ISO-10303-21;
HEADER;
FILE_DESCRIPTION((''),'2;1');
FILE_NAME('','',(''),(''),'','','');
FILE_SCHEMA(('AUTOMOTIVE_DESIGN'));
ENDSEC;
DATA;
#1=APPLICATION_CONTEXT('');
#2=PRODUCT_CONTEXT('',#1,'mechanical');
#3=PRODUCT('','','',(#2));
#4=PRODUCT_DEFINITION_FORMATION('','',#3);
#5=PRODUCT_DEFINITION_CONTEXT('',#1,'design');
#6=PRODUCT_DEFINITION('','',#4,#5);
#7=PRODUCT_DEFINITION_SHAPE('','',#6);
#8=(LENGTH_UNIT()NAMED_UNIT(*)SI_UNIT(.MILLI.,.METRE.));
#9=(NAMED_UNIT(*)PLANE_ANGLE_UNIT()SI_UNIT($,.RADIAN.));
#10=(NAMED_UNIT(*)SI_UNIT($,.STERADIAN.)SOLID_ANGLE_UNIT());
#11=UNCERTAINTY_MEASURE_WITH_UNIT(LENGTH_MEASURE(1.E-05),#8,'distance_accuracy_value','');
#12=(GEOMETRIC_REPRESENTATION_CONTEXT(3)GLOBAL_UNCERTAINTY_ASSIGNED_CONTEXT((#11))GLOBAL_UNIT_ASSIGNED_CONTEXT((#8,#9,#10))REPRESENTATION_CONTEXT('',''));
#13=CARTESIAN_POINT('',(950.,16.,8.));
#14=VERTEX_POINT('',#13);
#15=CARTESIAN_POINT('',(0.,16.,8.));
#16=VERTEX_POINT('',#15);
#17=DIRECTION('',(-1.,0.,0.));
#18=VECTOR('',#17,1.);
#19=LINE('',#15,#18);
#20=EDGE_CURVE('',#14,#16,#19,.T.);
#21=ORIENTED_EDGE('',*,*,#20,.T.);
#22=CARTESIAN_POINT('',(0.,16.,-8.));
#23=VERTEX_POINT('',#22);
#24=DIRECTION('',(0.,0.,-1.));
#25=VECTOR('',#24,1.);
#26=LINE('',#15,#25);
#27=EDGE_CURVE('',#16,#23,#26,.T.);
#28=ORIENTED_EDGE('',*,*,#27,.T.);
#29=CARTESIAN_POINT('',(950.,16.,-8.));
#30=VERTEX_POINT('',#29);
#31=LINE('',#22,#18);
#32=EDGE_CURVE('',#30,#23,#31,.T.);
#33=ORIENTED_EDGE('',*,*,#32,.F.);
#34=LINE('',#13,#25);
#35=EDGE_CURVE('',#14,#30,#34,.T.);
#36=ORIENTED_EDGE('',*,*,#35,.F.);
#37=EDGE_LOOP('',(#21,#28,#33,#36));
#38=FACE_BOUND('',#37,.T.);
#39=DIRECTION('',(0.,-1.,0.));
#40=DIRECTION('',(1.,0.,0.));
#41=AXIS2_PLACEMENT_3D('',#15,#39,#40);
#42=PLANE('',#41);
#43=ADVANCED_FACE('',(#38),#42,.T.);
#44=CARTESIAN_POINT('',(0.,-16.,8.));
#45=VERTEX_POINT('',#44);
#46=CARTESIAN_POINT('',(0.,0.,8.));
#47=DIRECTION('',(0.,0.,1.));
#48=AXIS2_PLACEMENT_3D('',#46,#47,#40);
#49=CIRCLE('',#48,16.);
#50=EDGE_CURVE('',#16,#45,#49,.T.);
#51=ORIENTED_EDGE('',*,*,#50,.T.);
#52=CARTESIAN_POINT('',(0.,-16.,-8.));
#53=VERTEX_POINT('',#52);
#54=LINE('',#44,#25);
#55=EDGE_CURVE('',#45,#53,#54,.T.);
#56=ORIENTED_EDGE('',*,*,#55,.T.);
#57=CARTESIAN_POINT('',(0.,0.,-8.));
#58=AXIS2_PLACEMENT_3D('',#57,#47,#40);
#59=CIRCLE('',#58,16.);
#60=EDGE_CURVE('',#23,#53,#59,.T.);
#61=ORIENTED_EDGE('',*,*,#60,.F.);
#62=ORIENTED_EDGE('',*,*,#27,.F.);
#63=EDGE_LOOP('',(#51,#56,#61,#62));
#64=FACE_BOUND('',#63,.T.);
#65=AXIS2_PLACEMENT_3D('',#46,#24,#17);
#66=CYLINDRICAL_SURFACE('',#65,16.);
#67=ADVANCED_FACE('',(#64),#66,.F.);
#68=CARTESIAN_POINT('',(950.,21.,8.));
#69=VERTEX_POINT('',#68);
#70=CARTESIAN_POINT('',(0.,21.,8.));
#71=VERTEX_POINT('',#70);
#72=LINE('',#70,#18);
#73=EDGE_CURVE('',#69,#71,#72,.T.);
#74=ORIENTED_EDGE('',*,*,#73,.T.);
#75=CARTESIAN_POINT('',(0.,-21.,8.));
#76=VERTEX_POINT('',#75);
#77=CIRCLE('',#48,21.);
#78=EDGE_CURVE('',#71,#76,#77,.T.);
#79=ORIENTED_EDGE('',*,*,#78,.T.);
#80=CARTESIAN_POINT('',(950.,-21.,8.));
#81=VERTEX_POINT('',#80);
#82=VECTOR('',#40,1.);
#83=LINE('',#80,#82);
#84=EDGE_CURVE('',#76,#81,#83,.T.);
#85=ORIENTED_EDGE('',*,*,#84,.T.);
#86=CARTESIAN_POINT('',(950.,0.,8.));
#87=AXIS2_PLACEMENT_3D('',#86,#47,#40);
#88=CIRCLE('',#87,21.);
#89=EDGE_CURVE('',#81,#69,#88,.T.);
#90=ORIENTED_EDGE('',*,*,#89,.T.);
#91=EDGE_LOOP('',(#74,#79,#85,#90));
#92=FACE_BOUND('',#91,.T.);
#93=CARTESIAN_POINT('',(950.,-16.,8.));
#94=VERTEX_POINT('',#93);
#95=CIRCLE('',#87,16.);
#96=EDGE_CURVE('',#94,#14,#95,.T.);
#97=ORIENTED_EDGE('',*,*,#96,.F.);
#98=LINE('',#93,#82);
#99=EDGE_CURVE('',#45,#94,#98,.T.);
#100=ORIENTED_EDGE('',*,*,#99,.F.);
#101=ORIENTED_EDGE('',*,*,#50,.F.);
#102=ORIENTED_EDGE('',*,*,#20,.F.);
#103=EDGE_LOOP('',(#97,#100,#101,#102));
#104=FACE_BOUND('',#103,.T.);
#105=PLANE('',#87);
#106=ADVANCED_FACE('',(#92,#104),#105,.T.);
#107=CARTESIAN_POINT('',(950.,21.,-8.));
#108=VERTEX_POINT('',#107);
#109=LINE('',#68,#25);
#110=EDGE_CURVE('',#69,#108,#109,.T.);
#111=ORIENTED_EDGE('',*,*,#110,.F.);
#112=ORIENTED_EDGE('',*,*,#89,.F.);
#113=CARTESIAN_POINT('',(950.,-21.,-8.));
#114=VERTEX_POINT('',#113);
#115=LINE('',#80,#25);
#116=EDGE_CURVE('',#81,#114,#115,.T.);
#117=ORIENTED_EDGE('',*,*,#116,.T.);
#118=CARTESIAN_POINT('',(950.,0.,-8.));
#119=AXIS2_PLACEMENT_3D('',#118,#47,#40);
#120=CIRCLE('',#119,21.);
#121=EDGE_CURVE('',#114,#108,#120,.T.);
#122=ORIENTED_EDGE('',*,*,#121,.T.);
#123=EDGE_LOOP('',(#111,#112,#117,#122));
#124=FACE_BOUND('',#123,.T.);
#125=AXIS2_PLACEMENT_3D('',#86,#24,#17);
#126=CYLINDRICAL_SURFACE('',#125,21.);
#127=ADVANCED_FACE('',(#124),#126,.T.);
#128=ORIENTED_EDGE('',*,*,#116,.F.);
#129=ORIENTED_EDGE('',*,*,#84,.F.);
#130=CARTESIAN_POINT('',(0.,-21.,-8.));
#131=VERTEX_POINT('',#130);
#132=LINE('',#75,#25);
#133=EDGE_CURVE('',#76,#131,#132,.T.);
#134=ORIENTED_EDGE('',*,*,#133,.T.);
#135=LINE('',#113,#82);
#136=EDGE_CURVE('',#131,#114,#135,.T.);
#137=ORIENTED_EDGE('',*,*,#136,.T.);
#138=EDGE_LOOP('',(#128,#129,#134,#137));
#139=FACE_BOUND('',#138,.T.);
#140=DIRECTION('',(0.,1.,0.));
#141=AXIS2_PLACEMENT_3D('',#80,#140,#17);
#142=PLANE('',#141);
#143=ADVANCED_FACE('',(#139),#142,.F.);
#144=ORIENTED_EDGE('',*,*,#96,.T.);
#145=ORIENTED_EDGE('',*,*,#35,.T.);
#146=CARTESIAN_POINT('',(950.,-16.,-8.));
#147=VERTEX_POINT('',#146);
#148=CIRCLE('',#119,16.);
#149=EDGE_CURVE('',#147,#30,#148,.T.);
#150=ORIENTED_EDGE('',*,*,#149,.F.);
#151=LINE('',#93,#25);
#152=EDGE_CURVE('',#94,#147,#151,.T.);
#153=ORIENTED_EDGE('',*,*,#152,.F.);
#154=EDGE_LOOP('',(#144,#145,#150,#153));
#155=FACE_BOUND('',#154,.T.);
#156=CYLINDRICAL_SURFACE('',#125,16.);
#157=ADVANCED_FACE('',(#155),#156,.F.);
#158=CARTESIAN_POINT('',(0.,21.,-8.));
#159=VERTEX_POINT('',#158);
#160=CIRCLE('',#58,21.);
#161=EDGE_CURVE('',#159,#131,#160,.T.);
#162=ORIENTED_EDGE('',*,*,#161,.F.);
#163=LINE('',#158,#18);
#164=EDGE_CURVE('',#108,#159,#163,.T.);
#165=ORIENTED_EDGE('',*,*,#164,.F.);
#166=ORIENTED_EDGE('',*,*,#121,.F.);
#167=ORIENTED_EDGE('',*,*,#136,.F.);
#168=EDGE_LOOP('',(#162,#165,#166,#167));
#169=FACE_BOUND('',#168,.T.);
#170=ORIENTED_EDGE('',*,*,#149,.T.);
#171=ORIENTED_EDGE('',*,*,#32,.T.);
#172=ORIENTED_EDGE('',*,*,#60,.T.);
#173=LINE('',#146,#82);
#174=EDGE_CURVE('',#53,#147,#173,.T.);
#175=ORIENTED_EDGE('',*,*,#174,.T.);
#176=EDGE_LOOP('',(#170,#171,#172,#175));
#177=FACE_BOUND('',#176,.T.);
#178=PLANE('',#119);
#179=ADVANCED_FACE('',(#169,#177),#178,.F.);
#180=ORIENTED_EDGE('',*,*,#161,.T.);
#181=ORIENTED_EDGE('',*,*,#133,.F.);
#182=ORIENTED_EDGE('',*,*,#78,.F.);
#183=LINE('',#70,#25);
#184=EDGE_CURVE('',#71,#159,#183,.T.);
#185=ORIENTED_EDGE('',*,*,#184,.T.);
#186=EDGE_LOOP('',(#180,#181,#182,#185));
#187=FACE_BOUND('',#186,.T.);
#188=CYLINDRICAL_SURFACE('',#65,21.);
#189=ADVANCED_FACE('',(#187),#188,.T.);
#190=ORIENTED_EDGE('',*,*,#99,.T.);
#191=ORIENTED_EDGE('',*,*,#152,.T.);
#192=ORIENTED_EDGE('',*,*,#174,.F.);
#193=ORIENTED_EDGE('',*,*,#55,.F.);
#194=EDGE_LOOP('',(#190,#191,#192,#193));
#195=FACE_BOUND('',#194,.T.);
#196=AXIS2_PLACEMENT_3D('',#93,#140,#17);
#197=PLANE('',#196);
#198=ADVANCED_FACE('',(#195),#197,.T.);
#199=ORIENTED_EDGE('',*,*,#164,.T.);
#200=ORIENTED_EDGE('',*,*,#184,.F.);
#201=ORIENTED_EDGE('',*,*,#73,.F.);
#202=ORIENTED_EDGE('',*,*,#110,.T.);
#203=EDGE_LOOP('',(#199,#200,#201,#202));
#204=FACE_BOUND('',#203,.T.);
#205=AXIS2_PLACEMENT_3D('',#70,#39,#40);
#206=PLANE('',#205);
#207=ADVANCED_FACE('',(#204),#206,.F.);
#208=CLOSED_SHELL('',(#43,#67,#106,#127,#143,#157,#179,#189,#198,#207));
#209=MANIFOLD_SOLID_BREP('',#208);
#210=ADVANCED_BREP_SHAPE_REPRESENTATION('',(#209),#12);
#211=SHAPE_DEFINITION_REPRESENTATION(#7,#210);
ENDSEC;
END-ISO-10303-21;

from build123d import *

# Parameters (mm, degrees)
BOSS_EXTRUDE1_DEPTH = 8


with BuildPart() as part:
    # Sketch1 → Boss-Extrude1 (new, symmetric)
    with BuildSketch(Plane.XY):
        with BuildLine():
            Line((0, 21), (950, 21))
            ThreePointArc((950, 21), (971, 0), (950, -21))
            Line((950, -21), (0, -21))
            ThreePointArc((0, -21), (-21, 0), (0, 21))
        make_face()
        with BuildLine():
            Line((0, 16), (950, 16))
            ThreePointArc((950, 16), (966, 0), (950, -16))
            Line((950, -16), (0, -16))
            ThreePointArc((0, -16), (-16, 0), (0, 16))
        make_face(mode=Mode.SUBTRACT)
    extrude(amount=BOSS_EXTRUDE1_DEPTH, both=True)


solid = part.part
